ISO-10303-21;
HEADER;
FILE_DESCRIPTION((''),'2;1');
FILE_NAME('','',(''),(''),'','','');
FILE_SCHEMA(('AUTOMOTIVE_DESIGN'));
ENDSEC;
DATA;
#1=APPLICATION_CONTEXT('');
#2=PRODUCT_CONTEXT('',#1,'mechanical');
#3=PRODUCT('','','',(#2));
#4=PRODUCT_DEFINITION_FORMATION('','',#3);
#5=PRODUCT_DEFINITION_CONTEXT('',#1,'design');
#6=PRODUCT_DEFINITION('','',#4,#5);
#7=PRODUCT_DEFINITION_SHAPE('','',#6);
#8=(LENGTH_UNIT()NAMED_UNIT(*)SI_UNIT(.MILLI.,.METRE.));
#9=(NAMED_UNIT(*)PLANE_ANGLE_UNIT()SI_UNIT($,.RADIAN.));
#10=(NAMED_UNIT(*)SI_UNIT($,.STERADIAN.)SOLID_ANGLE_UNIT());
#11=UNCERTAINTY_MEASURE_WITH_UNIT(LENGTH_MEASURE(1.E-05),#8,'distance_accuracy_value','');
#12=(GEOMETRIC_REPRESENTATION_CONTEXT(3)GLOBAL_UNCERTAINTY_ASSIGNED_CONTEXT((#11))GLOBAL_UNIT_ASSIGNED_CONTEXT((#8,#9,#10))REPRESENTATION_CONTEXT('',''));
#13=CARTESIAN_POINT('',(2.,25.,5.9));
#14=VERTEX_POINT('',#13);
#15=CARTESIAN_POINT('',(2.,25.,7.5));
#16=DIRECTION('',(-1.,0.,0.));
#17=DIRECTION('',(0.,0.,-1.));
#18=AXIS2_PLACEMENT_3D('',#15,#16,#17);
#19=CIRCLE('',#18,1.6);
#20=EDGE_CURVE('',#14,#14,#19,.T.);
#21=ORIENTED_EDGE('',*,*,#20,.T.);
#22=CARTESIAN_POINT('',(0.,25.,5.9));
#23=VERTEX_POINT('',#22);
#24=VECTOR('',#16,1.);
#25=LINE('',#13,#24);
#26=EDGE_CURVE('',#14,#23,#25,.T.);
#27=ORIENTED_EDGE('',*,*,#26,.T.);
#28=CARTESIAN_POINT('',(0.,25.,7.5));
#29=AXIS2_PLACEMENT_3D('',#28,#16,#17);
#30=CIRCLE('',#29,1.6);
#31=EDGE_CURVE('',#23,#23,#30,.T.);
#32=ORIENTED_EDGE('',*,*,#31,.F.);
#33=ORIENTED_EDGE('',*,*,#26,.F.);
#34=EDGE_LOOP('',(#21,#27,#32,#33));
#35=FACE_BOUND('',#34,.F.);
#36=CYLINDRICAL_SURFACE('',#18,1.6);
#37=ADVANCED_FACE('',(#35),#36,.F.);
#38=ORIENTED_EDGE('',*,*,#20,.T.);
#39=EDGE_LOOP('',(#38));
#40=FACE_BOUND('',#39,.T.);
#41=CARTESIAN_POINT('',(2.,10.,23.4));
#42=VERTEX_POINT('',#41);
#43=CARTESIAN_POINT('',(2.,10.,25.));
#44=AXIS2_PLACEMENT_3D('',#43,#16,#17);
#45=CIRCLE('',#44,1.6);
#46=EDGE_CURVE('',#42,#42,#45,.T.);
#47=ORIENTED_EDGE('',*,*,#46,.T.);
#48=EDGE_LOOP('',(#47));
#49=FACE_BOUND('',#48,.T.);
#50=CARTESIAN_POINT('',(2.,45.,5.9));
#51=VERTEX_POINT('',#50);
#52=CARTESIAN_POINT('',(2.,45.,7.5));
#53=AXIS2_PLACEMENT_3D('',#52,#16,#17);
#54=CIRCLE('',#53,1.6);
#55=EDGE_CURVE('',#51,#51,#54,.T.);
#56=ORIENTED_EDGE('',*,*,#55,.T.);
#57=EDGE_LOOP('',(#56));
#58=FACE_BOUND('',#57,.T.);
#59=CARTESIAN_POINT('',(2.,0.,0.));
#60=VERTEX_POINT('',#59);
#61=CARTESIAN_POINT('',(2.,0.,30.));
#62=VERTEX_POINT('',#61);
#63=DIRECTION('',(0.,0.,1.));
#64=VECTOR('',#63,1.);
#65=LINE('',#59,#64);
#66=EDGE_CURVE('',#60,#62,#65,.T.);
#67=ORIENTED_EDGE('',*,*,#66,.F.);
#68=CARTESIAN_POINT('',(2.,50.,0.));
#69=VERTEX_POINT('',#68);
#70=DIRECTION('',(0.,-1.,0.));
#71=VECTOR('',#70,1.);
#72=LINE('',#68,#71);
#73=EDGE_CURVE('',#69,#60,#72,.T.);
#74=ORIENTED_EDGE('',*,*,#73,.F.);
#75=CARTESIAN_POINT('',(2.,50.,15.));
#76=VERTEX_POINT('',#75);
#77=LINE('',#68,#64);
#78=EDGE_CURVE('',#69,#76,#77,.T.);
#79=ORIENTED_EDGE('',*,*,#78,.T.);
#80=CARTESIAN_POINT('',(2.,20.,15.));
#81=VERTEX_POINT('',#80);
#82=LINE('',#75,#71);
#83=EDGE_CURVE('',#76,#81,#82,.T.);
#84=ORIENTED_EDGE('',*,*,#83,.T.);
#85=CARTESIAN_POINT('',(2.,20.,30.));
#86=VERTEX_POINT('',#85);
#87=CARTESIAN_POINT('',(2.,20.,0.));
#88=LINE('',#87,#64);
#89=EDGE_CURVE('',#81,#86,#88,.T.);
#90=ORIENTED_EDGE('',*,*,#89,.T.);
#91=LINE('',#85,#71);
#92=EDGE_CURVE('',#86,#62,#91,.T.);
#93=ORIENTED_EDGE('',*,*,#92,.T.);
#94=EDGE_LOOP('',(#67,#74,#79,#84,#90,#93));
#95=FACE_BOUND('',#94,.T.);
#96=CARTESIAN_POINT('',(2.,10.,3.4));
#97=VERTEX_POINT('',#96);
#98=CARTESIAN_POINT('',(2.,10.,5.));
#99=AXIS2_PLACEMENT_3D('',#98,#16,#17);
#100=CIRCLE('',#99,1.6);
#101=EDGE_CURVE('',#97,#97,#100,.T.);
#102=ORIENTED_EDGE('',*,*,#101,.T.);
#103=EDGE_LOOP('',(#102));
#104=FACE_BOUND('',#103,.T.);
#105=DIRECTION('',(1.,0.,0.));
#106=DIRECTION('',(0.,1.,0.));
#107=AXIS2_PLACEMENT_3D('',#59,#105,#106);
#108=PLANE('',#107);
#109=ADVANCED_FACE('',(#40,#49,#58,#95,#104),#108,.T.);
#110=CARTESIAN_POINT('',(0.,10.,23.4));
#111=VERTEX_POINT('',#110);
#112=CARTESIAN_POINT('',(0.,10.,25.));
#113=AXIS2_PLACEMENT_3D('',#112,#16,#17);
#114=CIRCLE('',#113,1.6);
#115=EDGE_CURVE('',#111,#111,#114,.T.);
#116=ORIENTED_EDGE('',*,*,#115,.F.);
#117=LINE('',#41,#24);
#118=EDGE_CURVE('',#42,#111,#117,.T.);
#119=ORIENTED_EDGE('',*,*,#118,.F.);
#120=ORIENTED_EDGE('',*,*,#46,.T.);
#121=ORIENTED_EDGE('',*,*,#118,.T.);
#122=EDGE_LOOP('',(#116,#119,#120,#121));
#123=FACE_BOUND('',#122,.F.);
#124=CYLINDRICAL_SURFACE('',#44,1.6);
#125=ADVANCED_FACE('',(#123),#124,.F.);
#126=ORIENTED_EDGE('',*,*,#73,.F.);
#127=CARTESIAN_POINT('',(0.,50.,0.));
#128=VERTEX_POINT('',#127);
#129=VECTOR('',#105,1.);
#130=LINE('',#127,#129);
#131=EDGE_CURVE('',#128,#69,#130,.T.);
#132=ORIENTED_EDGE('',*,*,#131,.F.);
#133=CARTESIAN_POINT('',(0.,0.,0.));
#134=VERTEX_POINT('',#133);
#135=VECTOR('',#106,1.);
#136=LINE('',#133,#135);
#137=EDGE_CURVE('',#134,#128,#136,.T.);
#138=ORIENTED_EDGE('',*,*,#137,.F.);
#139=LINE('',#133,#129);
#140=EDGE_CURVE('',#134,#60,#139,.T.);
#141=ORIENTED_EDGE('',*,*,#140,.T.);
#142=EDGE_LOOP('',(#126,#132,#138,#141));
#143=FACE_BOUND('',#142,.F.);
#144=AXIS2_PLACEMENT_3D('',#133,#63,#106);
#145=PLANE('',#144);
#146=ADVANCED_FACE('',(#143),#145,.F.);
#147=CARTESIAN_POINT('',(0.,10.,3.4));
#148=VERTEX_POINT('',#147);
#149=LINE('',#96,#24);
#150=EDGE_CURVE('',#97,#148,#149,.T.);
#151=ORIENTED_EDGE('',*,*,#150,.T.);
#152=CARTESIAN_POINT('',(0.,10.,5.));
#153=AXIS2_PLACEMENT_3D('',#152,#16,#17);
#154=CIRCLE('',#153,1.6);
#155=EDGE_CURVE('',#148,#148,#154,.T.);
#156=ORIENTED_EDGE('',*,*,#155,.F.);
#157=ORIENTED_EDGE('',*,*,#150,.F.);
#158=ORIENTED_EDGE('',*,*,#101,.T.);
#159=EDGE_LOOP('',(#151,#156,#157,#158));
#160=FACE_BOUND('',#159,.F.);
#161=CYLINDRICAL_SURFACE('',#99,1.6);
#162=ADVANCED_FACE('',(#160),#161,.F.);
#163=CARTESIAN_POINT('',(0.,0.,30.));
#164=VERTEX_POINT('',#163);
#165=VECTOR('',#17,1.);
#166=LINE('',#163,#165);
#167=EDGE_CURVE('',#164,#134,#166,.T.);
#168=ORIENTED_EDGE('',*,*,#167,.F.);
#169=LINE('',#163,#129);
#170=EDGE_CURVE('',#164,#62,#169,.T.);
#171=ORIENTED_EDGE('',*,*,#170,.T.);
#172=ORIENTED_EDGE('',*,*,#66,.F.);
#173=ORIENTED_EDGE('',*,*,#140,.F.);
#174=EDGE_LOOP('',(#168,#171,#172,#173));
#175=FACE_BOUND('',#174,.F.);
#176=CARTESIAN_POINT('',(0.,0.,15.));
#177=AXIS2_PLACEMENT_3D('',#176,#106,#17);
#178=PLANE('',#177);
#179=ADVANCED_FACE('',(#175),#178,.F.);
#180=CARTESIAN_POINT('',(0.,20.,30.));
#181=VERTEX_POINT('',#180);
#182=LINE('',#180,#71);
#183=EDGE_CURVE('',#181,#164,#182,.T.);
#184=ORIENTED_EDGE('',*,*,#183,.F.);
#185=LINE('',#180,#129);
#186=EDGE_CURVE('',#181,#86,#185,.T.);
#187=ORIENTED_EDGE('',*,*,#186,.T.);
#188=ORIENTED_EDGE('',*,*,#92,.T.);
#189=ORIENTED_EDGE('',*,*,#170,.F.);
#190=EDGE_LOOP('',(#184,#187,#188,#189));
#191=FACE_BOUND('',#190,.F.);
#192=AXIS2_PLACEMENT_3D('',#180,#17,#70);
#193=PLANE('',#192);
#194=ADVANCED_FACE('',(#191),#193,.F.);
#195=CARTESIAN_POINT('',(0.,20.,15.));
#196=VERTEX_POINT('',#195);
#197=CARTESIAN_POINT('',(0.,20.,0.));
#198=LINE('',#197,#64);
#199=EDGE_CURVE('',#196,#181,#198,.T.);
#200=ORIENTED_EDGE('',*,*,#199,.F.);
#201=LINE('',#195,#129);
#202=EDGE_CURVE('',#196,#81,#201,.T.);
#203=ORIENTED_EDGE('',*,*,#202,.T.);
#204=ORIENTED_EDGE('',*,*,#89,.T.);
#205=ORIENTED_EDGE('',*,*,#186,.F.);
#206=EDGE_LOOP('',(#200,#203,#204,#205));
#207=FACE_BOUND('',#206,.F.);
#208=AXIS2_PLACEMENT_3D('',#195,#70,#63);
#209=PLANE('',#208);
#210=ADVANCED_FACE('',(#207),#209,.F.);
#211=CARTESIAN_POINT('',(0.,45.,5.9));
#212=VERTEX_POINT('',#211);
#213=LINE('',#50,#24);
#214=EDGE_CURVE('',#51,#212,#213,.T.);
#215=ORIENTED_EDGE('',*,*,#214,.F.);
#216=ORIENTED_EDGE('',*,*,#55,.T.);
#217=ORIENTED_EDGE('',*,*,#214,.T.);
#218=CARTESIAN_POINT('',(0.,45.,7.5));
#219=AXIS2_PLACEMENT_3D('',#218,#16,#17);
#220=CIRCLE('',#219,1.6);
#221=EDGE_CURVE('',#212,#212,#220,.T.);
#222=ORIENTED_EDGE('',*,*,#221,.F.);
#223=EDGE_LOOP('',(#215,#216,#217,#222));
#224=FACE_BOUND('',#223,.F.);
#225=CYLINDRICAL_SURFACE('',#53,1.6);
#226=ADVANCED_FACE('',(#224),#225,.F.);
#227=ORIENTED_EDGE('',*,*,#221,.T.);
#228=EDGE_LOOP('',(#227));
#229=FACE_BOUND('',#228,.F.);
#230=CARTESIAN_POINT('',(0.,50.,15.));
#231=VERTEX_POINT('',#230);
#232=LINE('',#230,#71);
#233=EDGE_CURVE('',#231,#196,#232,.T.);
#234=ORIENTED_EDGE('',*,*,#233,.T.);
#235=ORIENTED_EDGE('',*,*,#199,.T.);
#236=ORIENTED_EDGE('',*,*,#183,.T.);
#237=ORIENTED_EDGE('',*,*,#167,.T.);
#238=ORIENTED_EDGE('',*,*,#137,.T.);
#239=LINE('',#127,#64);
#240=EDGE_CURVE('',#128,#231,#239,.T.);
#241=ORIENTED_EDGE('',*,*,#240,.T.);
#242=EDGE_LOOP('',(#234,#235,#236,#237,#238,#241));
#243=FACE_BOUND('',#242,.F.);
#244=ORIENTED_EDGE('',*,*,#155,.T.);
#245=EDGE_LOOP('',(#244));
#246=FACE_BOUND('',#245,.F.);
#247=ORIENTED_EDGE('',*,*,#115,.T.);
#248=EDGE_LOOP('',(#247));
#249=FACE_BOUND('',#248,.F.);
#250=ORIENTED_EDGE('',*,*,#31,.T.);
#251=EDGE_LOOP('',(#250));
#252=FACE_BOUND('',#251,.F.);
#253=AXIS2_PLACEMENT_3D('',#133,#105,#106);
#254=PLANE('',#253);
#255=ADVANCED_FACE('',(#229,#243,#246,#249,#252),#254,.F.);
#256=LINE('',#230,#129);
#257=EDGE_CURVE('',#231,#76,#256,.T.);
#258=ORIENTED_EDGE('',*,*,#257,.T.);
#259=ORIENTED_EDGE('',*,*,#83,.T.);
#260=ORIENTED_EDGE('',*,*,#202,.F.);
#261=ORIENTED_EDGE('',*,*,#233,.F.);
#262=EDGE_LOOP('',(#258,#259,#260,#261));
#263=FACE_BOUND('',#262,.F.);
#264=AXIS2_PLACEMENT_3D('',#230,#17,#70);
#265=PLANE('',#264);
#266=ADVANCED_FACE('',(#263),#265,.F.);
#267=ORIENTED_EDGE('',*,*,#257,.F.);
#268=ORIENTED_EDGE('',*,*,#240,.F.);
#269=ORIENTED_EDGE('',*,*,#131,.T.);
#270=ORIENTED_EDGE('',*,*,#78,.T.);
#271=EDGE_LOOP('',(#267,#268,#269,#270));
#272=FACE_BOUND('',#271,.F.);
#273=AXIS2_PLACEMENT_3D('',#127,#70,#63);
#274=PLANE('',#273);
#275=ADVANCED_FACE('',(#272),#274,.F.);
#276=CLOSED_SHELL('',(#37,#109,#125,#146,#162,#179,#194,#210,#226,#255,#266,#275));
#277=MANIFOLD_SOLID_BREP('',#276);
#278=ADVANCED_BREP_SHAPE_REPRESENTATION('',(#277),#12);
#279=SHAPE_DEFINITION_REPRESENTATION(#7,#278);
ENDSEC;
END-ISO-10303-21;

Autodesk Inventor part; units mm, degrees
ref_plane "YZ Plane" through (0, 0, 0) normal (1, 0, 0) x (0, 1, 0)
ref_plane "XZ Plane" through (0, 0, 0) normal (0, 1, 0) x (-1, 0, 0)
ref_plane "XY Plane" through (0, 0, 0) normal (0, 0, 1) x (1, 0, 0)
sketch "スケッチ1" plane through (0, 0, 0) normal (1, 0, 0) x (0, 1, 0)
  line L0 (0, 0) -> (50, 0)
  line L1 (50, 0) -> (50, 15)
  line L2 (50, 15) -> (0, 15)
  line L3 (0, 15) -> (0, 0)
  line L4 (0, 0) -> (20, 0)
  line L5 (20, 0) -> (20, 30)
  line L6 (20, 30) -> (0, 30)
  line L7 (0, 30) -> (0, 0)
  point P0 (0, 15)
  point P1 (20, 15)
  point P2 (20, 0)
  point P3 (20, 0)
  dimension "d0" = 15
  dimension "d1" = 20
  dimension "d2" = 30
  dimension "d3" = 30
extrude "押し出し1" add sketch "スケッチ1" along normal blind 2
sketch "スケッチ2" plane through (2, 0, 0) normal (1, 0, 0) x (0, 0, -1)
  line L0 (-30, 20) -> (-30, 0) projected
  line L1 (-30, 10) -> (0, 10) construction
  line L2 (0, 0) -> (0, 50) projected
  line L3 (0, 50) -> (-15, 50) projected
  line L4 (-7.5, 50) -> (-7.5, 0) construction
  line L5 (-30, 0) -> (0, 0) projected
  point P0 (-25, 10)
  point P1 (-5, 10)
  point P2 (-7.5, 25)
  point P3 (-7.5, 45)
  dimension "d6" = 20
  dimension "d7" = 5
  dimension "d8" = 20
  dimension "d9" = 5
hole "穴1" at (2, 10, 25) at (2, 10, 5) at (2, 25, 7.5) at (2, 45, 7.5) direction (-1, 0, 0) diameter 3.2 end through all
properties part number "FrameJointL2015" material "アルミニウム 6061"
